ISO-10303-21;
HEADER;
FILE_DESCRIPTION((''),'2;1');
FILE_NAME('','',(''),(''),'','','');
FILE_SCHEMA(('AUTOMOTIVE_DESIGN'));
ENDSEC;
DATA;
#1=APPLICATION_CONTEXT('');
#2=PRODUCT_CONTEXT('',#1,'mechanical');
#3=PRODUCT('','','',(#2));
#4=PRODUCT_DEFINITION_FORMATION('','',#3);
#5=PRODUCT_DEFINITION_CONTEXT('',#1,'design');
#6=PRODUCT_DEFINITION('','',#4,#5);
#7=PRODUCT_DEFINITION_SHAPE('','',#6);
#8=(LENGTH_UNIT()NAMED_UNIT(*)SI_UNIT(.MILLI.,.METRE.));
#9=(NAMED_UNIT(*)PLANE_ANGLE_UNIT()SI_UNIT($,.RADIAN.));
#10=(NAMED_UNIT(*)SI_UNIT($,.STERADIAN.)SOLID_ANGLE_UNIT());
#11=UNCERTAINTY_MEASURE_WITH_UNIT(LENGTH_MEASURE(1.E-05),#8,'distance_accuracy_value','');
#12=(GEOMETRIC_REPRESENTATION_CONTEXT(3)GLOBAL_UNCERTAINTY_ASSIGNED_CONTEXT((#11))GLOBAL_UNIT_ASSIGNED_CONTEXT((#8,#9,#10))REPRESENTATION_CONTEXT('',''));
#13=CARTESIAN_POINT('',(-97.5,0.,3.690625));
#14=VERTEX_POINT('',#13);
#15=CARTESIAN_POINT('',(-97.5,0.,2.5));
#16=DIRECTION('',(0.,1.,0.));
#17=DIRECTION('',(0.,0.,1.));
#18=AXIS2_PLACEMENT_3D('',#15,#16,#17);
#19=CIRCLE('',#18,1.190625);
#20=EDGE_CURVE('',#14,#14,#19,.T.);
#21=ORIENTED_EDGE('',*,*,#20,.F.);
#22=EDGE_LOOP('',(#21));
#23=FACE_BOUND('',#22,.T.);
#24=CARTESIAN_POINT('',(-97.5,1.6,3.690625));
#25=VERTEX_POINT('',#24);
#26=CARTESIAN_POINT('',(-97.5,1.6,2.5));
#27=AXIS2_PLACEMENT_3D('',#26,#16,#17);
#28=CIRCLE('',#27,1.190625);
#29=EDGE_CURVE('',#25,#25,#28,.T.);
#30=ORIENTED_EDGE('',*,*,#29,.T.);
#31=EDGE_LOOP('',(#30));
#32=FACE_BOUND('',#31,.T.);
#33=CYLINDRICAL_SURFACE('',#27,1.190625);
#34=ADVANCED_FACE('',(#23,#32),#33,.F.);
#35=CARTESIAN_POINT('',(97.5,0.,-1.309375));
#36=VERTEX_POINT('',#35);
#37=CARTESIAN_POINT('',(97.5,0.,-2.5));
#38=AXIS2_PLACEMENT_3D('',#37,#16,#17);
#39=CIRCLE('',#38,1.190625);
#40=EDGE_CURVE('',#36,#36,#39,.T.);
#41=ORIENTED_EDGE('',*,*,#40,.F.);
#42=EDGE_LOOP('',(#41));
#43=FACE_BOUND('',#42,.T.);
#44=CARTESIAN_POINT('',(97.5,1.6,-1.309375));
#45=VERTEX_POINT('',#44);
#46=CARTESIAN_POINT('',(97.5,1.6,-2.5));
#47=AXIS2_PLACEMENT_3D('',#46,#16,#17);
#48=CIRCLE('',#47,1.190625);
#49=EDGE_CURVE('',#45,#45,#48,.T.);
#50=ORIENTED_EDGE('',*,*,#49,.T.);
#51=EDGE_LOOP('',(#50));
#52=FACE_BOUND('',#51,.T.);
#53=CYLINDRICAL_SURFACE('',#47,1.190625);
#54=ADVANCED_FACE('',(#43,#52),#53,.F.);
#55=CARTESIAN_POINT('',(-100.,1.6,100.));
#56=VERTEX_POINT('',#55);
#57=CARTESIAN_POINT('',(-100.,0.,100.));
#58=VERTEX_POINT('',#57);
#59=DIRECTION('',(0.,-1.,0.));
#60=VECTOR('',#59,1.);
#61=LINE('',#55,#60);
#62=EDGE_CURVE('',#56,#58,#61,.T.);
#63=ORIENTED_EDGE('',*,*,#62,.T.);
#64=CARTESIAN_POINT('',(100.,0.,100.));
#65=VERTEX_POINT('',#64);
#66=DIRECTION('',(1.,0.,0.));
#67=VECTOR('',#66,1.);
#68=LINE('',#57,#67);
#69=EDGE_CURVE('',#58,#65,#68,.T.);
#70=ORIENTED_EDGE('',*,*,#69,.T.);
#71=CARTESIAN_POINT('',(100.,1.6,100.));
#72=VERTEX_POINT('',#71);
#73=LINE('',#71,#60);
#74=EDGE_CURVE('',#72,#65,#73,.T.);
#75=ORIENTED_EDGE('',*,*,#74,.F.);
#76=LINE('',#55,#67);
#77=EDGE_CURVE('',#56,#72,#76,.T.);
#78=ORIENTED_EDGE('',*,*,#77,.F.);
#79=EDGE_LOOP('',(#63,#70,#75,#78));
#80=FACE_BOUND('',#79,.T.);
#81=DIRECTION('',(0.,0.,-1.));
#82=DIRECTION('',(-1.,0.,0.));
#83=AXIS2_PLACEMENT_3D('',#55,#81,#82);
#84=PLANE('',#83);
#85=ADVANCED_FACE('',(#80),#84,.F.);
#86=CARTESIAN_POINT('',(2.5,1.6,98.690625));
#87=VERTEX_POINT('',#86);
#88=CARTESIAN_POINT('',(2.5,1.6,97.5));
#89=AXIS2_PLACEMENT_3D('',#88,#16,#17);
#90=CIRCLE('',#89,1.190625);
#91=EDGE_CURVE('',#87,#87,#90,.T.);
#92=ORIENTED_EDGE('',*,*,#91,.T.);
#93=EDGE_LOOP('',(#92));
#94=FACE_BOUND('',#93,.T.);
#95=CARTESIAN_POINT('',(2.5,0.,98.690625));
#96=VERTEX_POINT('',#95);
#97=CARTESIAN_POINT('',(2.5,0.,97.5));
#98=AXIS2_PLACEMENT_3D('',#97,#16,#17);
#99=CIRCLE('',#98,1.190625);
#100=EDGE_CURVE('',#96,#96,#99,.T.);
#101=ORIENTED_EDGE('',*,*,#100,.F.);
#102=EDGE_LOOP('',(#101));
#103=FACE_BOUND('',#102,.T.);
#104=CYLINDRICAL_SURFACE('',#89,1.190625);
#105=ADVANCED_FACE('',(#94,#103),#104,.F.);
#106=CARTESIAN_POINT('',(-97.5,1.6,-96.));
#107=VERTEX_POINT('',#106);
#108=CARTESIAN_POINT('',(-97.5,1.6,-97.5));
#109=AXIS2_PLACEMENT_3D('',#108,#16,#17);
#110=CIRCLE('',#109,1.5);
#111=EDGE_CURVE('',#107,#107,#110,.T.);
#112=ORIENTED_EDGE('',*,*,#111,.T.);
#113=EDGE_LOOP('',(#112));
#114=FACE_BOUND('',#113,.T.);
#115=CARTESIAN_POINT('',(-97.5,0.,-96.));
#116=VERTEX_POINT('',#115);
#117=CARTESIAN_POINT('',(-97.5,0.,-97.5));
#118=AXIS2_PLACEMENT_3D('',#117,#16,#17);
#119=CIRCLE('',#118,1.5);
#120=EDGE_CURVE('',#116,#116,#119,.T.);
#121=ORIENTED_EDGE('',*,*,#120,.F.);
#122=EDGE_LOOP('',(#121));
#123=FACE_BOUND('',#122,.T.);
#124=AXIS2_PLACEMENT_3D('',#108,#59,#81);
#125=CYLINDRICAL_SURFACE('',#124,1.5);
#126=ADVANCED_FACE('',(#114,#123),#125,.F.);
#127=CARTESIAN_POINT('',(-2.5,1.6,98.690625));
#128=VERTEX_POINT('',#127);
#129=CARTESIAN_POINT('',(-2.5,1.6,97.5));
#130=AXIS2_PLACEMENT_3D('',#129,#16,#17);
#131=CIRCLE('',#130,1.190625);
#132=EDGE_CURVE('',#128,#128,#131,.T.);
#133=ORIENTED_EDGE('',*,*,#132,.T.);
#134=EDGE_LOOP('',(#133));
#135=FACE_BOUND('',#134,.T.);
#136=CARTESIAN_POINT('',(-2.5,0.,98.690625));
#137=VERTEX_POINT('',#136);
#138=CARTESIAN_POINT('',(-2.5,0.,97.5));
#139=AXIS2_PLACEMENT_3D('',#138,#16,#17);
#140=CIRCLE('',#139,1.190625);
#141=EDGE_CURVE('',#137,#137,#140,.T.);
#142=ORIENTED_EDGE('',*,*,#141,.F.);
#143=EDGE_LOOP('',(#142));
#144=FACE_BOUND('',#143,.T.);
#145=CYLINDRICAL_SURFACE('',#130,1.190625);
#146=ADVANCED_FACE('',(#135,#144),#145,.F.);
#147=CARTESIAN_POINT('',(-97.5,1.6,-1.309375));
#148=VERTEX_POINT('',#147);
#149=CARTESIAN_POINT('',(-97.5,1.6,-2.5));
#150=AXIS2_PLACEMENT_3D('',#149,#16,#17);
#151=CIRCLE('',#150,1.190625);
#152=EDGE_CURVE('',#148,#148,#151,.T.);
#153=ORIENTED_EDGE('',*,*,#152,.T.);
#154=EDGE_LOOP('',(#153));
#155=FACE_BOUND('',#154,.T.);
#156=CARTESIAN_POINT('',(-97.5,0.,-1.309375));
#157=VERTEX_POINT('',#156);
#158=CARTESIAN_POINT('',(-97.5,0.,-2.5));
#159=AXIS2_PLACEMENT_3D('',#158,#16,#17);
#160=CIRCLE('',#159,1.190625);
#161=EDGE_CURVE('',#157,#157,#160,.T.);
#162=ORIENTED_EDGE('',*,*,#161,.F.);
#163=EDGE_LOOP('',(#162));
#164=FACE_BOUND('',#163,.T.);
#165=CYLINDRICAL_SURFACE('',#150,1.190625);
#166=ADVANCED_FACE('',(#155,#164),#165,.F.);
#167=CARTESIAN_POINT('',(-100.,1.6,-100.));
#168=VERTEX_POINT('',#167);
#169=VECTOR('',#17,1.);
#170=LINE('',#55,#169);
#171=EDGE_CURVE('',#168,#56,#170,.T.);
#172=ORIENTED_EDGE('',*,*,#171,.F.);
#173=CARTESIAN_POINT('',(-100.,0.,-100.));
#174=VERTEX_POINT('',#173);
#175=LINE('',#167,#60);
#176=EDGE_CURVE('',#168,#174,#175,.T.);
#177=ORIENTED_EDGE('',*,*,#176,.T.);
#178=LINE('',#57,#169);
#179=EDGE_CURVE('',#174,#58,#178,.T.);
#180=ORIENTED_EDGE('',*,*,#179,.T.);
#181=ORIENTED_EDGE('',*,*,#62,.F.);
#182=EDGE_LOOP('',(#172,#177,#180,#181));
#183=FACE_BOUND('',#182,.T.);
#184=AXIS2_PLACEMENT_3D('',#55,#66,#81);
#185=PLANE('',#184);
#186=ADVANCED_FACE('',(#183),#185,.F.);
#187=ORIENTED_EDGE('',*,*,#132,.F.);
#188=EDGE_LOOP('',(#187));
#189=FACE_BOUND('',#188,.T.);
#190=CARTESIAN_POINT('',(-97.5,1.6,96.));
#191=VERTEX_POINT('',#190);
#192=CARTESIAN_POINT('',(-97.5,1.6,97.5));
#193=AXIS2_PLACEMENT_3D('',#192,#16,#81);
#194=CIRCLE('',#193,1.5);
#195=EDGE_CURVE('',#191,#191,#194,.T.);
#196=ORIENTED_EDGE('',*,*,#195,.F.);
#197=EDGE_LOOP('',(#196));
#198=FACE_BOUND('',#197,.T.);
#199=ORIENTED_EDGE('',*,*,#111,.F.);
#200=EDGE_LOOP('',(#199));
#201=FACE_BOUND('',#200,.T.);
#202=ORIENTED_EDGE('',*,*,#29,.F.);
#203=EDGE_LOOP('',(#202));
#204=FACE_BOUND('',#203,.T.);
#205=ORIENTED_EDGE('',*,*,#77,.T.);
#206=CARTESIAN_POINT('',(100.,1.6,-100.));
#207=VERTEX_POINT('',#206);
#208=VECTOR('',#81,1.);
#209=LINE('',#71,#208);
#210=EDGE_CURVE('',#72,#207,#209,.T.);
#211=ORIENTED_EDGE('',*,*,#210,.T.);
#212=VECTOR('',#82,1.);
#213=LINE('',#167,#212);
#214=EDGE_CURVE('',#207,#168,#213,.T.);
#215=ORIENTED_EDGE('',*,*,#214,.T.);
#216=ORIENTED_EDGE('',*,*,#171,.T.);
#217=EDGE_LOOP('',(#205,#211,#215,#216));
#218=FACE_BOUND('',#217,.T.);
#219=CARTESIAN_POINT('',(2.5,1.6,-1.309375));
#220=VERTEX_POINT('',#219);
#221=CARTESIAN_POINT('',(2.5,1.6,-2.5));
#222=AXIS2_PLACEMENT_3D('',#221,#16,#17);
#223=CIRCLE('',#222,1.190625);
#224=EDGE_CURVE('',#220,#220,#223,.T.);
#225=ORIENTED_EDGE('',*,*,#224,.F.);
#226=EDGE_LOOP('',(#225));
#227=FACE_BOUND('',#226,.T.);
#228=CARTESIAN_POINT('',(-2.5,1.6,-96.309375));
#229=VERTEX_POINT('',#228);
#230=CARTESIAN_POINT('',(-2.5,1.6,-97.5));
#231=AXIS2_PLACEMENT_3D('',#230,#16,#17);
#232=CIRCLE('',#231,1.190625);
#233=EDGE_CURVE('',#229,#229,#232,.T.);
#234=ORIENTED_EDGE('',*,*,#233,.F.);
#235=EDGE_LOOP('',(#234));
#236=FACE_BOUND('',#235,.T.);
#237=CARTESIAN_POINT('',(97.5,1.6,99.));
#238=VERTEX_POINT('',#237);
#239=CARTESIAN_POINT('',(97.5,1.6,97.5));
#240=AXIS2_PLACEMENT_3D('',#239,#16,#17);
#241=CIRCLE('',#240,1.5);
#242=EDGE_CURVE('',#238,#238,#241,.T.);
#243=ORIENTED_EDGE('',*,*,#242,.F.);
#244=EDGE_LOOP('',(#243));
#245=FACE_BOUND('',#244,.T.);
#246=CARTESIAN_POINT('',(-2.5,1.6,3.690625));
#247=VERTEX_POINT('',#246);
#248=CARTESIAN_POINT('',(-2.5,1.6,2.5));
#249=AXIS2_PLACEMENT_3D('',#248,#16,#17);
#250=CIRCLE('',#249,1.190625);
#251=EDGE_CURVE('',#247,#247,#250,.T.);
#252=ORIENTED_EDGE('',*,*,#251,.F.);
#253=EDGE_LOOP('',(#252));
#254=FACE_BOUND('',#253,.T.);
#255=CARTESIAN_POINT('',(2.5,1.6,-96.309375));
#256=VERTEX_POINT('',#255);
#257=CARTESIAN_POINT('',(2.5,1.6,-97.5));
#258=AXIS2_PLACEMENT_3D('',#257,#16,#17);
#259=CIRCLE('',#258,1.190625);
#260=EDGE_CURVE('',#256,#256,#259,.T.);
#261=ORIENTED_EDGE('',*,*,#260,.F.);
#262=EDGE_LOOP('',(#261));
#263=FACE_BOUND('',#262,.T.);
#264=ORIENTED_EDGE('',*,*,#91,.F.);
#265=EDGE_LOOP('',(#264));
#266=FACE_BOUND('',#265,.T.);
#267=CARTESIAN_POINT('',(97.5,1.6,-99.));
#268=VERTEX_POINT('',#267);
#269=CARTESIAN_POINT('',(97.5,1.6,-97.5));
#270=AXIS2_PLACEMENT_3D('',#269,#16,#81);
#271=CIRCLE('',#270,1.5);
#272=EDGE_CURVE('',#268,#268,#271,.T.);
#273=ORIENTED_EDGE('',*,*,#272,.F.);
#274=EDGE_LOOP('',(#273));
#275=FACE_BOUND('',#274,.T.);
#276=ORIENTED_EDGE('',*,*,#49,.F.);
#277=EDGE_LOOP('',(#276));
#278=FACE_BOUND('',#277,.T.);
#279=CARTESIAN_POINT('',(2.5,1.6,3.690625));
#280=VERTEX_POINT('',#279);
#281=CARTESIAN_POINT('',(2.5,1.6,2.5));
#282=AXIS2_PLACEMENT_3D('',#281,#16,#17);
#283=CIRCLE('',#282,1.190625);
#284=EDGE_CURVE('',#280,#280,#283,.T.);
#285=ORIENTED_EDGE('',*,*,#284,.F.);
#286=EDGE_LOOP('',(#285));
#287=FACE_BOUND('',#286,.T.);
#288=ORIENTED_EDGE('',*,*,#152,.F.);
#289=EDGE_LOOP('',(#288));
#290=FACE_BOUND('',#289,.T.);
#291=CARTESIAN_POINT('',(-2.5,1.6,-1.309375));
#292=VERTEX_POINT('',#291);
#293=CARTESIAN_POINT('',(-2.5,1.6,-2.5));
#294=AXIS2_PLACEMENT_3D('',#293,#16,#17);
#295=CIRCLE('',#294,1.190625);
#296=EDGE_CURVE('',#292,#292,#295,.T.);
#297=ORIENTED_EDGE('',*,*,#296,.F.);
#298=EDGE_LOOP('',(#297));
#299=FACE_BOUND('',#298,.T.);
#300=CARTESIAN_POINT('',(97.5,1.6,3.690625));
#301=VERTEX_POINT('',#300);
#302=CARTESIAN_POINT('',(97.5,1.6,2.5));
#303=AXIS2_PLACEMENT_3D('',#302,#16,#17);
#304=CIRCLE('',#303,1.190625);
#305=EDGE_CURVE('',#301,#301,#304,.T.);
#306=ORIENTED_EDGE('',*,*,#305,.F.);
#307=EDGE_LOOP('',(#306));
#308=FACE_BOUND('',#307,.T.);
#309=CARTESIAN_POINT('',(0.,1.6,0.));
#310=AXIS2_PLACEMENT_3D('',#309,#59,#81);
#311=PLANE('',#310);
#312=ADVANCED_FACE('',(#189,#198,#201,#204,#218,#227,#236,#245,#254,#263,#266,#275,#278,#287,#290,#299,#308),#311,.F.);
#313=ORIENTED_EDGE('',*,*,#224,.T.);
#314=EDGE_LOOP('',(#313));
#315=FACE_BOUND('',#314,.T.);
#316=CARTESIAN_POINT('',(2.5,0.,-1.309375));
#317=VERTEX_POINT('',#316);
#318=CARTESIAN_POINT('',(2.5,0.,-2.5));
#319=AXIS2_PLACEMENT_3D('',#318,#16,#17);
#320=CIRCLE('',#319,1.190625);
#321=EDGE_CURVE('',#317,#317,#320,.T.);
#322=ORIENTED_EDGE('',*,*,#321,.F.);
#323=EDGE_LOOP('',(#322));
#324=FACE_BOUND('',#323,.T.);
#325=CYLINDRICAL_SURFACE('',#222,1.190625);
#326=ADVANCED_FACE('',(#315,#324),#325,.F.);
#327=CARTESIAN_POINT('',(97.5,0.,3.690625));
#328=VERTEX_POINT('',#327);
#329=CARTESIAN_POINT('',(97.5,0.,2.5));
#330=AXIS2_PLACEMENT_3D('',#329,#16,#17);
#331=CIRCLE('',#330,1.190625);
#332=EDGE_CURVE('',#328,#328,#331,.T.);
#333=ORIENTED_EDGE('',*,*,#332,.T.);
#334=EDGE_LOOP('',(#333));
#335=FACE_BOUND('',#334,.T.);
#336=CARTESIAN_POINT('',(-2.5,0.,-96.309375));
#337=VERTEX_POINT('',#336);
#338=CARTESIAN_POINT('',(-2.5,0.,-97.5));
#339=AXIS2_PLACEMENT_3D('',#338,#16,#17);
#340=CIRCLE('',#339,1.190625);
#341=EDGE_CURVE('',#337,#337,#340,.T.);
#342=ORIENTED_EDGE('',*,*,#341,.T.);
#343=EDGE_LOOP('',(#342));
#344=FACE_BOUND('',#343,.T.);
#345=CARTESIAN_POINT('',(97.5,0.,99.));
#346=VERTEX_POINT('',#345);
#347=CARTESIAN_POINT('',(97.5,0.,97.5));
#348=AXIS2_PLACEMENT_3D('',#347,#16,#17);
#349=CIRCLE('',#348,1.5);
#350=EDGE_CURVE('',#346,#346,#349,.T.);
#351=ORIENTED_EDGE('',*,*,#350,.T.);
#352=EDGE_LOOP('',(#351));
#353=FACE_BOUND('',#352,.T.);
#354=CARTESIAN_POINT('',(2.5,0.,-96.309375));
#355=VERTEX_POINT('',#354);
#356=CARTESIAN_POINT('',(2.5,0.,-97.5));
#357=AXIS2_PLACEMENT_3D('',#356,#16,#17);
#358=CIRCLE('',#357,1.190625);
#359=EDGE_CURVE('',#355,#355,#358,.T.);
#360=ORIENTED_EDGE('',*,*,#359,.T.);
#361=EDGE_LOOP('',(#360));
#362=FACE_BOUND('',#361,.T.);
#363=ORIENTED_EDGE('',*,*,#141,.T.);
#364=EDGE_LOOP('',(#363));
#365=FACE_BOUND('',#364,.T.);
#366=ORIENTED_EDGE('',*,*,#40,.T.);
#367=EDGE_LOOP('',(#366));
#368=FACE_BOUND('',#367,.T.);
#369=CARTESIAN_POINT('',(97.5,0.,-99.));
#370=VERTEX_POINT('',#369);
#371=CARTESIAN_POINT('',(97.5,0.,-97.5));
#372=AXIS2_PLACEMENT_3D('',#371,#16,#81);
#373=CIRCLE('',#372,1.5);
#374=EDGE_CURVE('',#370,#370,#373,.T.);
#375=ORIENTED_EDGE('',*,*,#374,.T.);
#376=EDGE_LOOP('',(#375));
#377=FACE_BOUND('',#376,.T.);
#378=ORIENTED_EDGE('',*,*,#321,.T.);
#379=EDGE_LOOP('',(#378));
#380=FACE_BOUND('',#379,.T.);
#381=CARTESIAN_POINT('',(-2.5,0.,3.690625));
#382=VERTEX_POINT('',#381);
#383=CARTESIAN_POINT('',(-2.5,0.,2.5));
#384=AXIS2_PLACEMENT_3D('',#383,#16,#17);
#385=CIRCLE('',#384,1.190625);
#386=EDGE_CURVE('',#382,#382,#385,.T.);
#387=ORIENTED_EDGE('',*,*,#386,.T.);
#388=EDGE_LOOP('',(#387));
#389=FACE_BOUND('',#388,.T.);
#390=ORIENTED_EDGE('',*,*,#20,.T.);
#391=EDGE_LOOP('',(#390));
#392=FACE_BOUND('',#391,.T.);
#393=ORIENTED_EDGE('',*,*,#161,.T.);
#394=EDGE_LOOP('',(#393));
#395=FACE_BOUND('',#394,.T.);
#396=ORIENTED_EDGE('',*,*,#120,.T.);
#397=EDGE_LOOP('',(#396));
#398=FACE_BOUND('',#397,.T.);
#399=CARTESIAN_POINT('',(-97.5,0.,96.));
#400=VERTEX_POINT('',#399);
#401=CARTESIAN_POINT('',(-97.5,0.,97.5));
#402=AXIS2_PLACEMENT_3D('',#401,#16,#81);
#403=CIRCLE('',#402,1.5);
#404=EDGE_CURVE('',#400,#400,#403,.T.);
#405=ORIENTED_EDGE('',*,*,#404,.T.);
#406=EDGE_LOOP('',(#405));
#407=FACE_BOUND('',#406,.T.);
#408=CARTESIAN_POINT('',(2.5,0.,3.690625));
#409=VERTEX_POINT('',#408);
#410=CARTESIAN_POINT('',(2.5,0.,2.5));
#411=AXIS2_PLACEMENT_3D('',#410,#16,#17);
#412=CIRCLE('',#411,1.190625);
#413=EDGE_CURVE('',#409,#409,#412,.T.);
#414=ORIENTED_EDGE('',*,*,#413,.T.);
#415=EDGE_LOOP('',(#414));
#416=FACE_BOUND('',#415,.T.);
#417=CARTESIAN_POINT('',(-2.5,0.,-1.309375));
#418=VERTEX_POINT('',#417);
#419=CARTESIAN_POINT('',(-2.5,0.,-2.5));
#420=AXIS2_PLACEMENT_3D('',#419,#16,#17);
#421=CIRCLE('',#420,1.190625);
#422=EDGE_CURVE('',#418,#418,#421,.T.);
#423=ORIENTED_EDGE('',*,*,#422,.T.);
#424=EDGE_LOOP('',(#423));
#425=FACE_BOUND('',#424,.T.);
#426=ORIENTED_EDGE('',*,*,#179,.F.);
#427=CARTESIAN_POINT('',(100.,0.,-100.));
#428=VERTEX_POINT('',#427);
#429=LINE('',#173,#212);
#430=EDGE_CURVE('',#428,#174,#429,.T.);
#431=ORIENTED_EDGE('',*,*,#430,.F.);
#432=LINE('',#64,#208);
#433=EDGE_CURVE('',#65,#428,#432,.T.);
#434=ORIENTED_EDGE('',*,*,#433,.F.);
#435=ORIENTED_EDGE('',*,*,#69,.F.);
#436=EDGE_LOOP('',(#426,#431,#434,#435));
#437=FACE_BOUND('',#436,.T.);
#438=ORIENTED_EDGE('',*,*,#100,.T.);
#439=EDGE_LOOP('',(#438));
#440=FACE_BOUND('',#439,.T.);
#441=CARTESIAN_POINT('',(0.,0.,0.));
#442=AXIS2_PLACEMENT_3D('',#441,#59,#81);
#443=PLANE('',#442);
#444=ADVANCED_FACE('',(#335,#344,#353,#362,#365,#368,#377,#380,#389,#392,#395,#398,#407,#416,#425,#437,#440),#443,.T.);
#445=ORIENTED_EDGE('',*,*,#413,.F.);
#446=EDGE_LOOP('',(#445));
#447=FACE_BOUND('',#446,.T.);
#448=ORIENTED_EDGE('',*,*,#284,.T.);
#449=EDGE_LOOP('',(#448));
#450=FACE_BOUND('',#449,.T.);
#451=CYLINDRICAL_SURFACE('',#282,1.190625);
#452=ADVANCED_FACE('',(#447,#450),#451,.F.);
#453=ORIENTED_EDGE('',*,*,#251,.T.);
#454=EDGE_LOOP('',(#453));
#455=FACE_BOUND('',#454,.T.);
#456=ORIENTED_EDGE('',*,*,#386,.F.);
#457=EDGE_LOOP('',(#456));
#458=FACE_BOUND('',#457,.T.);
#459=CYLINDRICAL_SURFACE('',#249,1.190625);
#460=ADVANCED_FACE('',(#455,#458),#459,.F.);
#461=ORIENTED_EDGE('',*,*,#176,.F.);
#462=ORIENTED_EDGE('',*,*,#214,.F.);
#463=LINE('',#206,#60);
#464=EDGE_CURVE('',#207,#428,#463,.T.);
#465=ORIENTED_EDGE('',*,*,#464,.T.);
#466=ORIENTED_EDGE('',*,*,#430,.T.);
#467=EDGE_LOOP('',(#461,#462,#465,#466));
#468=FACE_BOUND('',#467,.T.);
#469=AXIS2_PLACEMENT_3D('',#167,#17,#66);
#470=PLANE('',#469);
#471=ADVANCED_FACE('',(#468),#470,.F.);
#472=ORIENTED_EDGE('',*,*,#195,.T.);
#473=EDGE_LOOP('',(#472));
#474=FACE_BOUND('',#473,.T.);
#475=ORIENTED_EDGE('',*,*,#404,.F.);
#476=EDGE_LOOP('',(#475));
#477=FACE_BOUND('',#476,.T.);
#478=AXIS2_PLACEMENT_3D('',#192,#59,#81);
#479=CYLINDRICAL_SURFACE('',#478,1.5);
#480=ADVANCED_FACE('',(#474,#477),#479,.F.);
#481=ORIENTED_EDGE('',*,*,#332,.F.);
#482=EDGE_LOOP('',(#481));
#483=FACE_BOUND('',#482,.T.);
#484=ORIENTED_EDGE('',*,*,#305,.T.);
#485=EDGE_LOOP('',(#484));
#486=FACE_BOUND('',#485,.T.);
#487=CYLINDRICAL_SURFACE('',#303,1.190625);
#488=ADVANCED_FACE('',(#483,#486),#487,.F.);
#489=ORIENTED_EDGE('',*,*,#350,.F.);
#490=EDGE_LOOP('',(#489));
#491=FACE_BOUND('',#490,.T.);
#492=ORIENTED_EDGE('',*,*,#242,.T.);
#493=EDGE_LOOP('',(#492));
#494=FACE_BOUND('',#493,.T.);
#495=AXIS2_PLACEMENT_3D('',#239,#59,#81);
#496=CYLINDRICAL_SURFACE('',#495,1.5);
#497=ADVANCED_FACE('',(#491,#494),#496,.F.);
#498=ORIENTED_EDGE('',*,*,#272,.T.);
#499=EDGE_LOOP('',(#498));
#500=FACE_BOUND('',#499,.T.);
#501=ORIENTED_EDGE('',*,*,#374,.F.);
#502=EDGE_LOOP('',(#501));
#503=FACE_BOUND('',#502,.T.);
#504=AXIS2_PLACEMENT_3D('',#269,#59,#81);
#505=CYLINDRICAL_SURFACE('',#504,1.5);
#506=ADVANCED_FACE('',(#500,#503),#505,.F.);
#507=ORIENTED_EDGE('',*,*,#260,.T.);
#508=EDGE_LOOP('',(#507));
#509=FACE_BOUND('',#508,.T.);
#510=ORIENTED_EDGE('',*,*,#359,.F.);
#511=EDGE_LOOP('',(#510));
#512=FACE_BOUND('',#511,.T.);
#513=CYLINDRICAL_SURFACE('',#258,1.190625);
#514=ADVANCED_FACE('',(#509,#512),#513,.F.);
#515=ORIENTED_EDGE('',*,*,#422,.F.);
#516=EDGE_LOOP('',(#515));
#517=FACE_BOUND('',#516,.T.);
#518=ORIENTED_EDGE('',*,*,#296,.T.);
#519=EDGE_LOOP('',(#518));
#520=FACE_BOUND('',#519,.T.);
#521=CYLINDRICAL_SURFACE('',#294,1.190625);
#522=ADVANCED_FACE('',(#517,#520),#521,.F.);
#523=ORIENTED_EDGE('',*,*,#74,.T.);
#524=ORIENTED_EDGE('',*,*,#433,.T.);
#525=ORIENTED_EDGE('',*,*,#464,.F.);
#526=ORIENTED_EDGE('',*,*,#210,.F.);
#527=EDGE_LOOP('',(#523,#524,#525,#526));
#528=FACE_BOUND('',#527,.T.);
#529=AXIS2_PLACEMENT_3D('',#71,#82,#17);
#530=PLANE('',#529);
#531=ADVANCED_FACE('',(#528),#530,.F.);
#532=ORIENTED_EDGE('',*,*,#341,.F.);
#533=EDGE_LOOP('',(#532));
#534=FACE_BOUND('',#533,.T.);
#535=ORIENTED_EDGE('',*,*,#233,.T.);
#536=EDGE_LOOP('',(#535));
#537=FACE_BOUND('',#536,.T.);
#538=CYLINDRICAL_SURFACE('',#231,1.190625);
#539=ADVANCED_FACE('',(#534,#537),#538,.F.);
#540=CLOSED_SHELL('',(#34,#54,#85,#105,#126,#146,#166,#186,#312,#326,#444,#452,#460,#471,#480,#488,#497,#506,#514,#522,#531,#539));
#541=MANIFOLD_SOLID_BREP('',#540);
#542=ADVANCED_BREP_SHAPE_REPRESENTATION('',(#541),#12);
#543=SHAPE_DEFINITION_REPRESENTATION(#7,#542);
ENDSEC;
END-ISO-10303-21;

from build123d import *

# Parameters (mm, degrees)
SKETCH1_W                       = 200
SKETCH1_H                       = 200
SKETCH1_R                       = 1.5
BOSS_EXTRUDE2_DEPTH             = 1.6
F_3_32_0_09375_DIAMETER_HOLE1_D = 2.38125


with BuildPart() as part:
    # Sketch1 → Boss-Extrude2 (new body)
    with BuildSketch(Plane(origin=(0, 0, 0), x_dir=(1, 0, 0), z_dir=(0, 1, 0))):
        Rectangle(SKETCH1_W, SKETCH1_H)
        with Locations(Location((-97.5, 97.5, 0), (0, 0, 270))):
            Circle(SKETCH1_R, mode=Mode.SUBTRACT)
        with Locations(Location((97.5, 97.5, 0), (0, 0, 90))):
            Circle(SKETCH1_R, mode=Mode.SUBTRACT)
        with Locations(Location((-97.5, -97.5, 0), (0, 0, 90))):
            Circle(SKETCH1_R, mode=Mode.SUBTRACT)
        with Locations(Location((97.5, -97.5, 0), (0, 0, 270))):
            Circle(SKETCH1_R, mode=Mode.SUBTRACT)
    extrude(amount=BOSS_EXTRUDE2_DEPTH)

    # 3/32 (0.09375) Diameter Hole1 (through all)
    with Locations(Plane(origin=(0, 1.6, 0), x_dir=(1, 0, 0), z_dir=(0, 1, 0))):
        with Locations((2.5, -97.5), (-2.5, -97.5), (2.5, -2.5), (-2.5, -2.5), (-2.5, 2.5), (2.5, 2.5), (-97.5, -2.5), (-97.5, 2.5), (97.5, -2.5), (97.5, 2.5), (2.5, 97.5), (-2.5, 97.5)):
            Hole(F_3_32_0_09375_DIAMETER_HOLE1_D / 2)


solid = part.part
